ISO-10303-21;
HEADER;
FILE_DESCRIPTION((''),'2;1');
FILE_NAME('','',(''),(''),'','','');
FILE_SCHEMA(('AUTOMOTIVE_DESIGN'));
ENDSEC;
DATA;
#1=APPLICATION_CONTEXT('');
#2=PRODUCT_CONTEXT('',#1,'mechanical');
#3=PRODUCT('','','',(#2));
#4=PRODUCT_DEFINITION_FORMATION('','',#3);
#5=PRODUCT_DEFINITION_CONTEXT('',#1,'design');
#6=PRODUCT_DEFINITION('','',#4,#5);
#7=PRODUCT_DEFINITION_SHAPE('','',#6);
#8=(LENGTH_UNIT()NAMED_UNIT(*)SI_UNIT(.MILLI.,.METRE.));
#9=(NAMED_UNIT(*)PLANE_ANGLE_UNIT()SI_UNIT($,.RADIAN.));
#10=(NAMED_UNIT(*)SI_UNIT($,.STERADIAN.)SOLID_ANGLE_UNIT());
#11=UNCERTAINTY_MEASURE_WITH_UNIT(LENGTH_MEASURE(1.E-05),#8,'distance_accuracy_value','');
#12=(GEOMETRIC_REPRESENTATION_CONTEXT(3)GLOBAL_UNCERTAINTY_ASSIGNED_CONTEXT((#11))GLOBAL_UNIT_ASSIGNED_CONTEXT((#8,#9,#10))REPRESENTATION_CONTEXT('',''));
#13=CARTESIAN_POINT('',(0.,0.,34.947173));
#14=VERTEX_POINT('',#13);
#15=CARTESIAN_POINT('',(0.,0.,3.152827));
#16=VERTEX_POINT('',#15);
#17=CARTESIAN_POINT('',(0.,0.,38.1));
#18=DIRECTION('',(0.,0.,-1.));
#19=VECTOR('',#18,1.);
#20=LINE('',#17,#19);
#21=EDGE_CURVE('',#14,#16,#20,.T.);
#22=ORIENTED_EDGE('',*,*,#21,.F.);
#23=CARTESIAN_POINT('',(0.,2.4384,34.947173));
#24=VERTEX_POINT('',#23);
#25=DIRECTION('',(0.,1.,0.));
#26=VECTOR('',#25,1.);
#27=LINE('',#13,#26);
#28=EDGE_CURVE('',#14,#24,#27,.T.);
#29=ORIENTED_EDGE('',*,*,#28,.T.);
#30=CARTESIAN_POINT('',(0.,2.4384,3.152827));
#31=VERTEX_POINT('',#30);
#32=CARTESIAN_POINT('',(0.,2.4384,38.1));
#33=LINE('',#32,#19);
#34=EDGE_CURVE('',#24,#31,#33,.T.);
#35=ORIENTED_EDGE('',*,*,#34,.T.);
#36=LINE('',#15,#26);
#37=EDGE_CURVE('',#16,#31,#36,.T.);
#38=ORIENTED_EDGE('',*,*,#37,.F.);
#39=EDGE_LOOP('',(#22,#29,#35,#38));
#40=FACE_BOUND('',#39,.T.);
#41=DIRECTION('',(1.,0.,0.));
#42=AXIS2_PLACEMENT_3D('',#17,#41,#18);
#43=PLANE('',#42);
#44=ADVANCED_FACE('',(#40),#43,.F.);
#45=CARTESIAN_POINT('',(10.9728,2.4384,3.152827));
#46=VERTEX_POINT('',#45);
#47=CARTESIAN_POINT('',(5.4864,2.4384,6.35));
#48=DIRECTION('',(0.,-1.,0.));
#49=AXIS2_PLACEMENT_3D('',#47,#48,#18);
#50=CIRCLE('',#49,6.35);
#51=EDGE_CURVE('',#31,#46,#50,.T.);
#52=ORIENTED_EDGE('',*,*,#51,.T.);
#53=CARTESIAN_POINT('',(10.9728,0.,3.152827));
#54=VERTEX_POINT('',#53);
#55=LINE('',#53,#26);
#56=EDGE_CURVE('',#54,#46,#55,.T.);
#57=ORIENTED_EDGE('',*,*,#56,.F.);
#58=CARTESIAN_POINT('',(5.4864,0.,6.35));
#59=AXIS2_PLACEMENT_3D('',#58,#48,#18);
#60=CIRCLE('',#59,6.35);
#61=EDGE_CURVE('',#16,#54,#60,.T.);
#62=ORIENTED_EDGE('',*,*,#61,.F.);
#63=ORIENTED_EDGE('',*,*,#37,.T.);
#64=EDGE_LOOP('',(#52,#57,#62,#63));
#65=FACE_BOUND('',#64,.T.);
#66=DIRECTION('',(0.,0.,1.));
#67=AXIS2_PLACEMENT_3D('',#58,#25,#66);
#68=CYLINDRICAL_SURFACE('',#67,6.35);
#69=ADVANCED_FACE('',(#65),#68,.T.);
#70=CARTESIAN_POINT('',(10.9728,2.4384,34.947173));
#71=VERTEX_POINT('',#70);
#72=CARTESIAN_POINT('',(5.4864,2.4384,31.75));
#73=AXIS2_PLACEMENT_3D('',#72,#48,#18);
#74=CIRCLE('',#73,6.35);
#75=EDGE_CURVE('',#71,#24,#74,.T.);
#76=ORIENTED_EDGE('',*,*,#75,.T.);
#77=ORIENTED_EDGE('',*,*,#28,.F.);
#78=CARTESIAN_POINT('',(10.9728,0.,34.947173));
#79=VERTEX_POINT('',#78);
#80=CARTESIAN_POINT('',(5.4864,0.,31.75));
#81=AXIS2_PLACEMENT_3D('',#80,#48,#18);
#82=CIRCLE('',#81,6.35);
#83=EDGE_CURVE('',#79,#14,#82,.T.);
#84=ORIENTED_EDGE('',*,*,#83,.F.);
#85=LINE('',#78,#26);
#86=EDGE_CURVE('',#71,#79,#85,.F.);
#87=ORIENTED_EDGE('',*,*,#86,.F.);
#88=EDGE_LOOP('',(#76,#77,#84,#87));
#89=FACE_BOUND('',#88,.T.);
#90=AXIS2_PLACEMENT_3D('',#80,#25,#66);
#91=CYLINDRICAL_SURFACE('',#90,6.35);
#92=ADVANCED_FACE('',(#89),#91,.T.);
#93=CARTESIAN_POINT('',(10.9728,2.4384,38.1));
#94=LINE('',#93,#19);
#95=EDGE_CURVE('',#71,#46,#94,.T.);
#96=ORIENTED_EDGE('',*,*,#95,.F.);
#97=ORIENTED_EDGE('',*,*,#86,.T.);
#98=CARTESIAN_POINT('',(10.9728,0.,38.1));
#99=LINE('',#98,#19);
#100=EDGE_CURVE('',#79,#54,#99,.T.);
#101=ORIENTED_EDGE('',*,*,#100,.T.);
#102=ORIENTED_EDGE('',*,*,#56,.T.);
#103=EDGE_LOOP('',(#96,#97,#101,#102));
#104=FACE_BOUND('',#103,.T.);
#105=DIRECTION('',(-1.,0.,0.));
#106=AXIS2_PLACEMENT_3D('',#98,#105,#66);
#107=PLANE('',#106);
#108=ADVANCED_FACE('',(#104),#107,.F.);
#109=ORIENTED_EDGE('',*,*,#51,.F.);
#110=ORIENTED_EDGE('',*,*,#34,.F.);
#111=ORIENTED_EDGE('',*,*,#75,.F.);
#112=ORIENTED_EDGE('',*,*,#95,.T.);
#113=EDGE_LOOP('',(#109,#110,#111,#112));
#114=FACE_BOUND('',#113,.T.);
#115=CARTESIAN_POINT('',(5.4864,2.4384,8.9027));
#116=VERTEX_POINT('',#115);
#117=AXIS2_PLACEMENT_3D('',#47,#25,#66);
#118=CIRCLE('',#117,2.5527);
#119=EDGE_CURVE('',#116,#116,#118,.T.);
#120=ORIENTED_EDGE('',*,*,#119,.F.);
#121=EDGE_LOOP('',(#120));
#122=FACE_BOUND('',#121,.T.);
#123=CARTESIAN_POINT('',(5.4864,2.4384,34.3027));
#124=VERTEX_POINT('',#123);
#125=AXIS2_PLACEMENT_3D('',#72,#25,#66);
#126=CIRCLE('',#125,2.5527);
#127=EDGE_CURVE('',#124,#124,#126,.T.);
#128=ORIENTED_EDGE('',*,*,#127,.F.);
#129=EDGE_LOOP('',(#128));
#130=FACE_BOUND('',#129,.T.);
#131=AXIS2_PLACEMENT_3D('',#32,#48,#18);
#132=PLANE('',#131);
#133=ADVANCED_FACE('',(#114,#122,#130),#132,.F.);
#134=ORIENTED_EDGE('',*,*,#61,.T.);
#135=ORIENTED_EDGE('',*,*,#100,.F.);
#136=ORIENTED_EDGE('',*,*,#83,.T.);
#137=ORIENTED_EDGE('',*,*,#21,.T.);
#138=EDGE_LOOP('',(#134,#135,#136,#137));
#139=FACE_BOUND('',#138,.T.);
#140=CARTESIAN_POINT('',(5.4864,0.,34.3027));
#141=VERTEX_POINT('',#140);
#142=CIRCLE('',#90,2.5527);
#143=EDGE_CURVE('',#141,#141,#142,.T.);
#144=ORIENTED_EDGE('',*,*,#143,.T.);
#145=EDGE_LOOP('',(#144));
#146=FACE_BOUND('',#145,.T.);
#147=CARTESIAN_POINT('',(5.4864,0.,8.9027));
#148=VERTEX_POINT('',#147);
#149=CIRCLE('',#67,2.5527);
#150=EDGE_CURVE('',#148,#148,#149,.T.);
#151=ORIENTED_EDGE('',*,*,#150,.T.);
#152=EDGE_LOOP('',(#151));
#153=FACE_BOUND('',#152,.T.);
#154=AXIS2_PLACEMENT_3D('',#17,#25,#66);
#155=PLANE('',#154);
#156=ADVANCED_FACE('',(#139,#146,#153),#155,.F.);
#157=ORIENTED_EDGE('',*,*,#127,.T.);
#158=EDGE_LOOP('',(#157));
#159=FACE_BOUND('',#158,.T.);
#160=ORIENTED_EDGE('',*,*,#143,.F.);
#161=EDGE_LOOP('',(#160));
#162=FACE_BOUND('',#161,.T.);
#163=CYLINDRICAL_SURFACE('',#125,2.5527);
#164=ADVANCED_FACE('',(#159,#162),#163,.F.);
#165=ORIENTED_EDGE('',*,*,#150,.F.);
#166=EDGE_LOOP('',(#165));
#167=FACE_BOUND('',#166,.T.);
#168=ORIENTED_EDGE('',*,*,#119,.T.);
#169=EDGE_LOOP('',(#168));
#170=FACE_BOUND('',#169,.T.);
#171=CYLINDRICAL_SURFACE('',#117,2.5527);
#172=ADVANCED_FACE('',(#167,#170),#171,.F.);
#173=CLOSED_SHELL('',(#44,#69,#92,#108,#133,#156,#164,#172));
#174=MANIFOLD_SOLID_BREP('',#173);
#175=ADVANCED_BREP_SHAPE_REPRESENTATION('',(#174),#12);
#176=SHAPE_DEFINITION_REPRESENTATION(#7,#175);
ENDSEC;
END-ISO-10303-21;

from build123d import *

# Parameters (mm, degrees)
SKETCH1_W               = 10.9728
SKETCH1_H               = 2.4384
EXTRUDE1_DEPTH          = 38.1
F_1_4_20_TAPPED_HOLE1_D = 5.1054
CUT_EXTRUDE1_DEPTH      = 40.723521173


with BuildPart() as part:
    # Sketch1 → Extrude1 (new body)
    with BuildSketch(Plane.XY):
        with Locations((5.4864, 1.2192)):
            Rectangle(SKETCH1_W, SKETCH1_H)
    extrude(amount=EXTRUDE1_DEPTH)

    # 1/4-20 Tapped Hole1 (through all)
    with Locations(Plane(origin=(5.4864, 2.4384, 6.35), x_dir=(0, 0, 1), z_dir=(0, 1, 0))):
        with Locations((0, 0), (25.4, 0)):
            Hole(F_1_4_20_TAPPED_HOLE1_D / 2)

    # Sketch4 → Cut-Extrude1 (cut, through all)
    with BuildSketch(Plane(origin=(0, 2.4384, 0), x_dir=(-1, 0, 0), z_dir=(0, 1, 0))):
        with BuildLine():
            ThreePointArc((0, 3.152827024), (-2.322505912, 0.84434162), (-5.4864, 0))
            Line((-5.4864, 0), (0, 0))
            Line((0, 0), (0, 3.152827024))
        make_face()
        with BuildLine():
            ThreePointArc((-5.4864, 0), (-8.651032451, 0.844765995), (-10.97365738, 3.154298755))
            Line((-10.97365738, 3.154298755), (-10.9728, 0))
            Line((-10.9728, 0), (-5.4864, 0))
        make_face()
        with BuildLine():
            Line((-10.9728, 38.1), (-10.97365738, 34.945701245))
            ThreePointArc((-10.97365738, 34.945701245), (-8.651032451, 37.255234005), (-5.4864, 38.1))
            Line((-5.4864, 38.1), (-10.9728, 38.1))
        make_face()
        with BuildLine():
            Line((0, 38.1), (-5.4864, 38.1))
            ThreePointArc((-5.4864, 38.1), (-2.322505912, 37.25565838), (0, 34.947172976))
            Line((0, 34.947172976), (0, 38.1))
        make_face()
    extrude(amount=-CUT_EXTRUDE1_DEPTH, mode=Mode.SUBTRACT)


solid = part.part
